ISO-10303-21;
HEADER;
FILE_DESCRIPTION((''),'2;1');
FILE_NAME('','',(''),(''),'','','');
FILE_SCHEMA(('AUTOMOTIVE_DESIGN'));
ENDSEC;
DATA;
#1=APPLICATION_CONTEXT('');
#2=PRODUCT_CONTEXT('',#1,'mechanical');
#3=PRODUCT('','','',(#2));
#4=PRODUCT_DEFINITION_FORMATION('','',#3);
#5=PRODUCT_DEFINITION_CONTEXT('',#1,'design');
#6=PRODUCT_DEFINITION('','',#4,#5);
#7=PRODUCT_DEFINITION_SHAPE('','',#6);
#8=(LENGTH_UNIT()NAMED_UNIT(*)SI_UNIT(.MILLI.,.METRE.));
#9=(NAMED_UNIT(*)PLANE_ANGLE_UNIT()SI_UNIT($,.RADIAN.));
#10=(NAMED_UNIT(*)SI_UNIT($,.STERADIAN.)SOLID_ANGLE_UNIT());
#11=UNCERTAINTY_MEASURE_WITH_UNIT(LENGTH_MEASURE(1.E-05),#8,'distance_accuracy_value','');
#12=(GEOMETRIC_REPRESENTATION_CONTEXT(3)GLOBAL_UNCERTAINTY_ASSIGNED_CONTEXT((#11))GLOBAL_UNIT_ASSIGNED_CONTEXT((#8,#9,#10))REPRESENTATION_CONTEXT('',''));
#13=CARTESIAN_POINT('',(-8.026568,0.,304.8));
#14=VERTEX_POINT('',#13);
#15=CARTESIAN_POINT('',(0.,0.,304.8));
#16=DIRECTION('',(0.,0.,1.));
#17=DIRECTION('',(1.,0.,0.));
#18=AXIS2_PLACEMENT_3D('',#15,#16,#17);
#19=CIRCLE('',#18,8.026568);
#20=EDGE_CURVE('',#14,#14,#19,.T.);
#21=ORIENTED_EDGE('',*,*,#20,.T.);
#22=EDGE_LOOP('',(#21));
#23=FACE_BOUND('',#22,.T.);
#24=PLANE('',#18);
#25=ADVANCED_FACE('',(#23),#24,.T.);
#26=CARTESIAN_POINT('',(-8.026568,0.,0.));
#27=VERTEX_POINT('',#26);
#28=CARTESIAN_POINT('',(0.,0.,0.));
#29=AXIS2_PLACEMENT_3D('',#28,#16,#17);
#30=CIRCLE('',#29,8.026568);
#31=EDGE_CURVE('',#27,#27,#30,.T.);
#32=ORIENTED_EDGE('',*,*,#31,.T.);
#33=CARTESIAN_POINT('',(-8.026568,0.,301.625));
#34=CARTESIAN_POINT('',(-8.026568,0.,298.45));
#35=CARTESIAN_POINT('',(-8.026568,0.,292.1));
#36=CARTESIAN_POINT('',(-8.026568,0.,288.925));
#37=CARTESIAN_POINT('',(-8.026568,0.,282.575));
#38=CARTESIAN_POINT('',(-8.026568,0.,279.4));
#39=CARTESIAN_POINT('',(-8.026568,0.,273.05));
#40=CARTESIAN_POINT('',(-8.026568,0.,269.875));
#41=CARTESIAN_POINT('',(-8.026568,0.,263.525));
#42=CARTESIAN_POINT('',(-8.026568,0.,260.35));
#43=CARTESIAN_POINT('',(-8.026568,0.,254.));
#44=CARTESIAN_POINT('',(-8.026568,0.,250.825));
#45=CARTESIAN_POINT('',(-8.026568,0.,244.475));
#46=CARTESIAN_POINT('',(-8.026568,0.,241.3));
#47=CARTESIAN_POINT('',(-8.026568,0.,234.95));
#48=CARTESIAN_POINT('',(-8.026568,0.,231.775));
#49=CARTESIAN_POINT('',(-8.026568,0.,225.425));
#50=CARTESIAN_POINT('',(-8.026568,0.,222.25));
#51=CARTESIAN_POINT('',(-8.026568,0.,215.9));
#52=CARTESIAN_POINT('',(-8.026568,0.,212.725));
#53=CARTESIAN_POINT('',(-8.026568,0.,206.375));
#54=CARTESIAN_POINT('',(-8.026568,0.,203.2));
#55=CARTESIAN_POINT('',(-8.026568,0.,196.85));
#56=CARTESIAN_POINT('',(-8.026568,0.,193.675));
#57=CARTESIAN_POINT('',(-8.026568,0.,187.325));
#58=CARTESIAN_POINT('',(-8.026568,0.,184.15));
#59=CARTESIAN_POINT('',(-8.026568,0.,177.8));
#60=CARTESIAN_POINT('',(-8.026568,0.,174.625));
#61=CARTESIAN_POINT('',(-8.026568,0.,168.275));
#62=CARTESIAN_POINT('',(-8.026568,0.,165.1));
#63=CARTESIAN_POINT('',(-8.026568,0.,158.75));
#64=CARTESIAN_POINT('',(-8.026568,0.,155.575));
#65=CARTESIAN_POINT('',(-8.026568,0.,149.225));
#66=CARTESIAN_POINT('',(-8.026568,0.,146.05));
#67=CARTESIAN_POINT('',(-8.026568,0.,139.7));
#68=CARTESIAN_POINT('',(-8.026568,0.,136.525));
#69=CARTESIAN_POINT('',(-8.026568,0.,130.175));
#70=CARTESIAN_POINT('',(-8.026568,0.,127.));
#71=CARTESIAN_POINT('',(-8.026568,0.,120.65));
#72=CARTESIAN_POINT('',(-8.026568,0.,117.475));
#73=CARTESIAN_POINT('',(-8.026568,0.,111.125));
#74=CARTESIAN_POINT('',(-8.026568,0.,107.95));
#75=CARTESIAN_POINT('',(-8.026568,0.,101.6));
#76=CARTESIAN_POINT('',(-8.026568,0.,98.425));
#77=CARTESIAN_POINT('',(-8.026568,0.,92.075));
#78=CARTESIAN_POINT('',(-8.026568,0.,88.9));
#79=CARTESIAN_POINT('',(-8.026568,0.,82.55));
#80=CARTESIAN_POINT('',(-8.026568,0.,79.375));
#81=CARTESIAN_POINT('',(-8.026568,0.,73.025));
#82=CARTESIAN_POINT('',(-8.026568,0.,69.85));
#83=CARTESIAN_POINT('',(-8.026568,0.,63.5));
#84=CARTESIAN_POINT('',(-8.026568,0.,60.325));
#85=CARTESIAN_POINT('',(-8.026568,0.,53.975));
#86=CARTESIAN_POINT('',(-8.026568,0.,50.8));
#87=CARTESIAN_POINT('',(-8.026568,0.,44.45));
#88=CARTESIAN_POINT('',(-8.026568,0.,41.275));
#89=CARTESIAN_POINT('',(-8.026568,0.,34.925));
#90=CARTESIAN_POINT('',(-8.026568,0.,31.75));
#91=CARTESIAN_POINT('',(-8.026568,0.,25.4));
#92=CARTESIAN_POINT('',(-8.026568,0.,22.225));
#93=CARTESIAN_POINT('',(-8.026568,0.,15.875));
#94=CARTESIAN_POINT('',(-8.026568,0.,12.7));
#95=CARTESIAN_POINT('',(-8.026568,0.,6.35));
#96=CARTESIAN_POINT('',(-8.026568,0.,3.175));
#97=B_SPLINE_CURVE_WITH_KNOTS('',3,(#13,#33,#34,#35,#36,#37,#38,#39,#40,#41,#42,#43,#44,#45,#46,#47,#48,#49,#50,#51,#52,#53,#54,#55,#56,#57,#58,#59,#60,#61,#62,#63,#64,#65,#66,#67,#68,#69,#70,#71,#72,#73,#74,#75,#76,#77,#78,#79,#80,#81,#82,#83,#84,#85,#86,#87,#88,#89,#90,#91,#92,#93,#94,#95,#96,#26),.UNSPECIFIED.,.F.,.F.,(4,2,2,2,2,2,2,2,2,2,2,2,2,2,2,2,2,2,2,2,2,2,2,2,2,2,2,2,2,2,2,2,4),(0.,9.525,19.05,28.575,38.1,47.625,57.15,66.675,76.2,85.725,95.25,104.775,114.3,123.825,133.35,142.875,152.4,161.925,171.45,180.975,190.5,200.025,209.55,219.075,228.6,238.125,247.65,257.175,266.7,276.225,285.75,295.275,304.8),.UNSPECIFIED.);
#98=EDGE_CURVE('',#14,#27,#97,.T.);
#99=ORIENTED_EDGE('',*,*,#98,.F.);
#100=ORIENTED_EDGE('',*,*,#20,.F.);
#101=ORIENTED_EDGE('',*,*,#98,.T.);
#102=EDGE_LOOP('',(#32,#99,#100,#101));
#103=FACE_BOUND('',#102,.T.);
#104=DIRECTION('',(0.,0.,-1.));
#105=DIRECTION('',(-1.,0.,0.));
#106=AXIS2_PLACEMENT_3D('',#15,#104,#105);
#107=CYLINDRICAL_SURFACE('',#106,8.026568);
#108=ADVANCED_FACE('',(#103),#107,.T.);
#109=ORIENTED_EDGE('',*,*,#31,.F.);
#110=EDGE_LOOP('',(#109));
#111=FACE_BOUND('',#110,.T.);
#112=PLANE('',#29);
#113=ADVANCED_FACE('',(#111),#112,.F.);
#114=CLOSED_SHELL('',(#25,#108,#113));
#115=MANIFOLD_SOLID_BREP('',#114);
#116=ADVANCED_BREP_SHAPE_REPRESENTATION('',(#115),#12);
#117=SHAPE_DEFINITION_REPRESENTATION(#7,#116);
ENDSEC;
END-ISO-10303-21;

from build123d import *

# Parameters (mm, degrees)
SKETCH1_R           = 8.026567891
BOSS_EXTRUDE1_DEPTH = 304.8


with BuildPart() as part:
    # Sketch1 → Boss-Extrude1 (new body)
    with BuildSketch(Plane.XY):
        with Locations(Location((0, 0, 0), (0, 0, 180))):
            Circle(SKETCH1_R)
    extrude(amount=BOSS_EXTRUDE1_DEPTH)


solid = part.part
